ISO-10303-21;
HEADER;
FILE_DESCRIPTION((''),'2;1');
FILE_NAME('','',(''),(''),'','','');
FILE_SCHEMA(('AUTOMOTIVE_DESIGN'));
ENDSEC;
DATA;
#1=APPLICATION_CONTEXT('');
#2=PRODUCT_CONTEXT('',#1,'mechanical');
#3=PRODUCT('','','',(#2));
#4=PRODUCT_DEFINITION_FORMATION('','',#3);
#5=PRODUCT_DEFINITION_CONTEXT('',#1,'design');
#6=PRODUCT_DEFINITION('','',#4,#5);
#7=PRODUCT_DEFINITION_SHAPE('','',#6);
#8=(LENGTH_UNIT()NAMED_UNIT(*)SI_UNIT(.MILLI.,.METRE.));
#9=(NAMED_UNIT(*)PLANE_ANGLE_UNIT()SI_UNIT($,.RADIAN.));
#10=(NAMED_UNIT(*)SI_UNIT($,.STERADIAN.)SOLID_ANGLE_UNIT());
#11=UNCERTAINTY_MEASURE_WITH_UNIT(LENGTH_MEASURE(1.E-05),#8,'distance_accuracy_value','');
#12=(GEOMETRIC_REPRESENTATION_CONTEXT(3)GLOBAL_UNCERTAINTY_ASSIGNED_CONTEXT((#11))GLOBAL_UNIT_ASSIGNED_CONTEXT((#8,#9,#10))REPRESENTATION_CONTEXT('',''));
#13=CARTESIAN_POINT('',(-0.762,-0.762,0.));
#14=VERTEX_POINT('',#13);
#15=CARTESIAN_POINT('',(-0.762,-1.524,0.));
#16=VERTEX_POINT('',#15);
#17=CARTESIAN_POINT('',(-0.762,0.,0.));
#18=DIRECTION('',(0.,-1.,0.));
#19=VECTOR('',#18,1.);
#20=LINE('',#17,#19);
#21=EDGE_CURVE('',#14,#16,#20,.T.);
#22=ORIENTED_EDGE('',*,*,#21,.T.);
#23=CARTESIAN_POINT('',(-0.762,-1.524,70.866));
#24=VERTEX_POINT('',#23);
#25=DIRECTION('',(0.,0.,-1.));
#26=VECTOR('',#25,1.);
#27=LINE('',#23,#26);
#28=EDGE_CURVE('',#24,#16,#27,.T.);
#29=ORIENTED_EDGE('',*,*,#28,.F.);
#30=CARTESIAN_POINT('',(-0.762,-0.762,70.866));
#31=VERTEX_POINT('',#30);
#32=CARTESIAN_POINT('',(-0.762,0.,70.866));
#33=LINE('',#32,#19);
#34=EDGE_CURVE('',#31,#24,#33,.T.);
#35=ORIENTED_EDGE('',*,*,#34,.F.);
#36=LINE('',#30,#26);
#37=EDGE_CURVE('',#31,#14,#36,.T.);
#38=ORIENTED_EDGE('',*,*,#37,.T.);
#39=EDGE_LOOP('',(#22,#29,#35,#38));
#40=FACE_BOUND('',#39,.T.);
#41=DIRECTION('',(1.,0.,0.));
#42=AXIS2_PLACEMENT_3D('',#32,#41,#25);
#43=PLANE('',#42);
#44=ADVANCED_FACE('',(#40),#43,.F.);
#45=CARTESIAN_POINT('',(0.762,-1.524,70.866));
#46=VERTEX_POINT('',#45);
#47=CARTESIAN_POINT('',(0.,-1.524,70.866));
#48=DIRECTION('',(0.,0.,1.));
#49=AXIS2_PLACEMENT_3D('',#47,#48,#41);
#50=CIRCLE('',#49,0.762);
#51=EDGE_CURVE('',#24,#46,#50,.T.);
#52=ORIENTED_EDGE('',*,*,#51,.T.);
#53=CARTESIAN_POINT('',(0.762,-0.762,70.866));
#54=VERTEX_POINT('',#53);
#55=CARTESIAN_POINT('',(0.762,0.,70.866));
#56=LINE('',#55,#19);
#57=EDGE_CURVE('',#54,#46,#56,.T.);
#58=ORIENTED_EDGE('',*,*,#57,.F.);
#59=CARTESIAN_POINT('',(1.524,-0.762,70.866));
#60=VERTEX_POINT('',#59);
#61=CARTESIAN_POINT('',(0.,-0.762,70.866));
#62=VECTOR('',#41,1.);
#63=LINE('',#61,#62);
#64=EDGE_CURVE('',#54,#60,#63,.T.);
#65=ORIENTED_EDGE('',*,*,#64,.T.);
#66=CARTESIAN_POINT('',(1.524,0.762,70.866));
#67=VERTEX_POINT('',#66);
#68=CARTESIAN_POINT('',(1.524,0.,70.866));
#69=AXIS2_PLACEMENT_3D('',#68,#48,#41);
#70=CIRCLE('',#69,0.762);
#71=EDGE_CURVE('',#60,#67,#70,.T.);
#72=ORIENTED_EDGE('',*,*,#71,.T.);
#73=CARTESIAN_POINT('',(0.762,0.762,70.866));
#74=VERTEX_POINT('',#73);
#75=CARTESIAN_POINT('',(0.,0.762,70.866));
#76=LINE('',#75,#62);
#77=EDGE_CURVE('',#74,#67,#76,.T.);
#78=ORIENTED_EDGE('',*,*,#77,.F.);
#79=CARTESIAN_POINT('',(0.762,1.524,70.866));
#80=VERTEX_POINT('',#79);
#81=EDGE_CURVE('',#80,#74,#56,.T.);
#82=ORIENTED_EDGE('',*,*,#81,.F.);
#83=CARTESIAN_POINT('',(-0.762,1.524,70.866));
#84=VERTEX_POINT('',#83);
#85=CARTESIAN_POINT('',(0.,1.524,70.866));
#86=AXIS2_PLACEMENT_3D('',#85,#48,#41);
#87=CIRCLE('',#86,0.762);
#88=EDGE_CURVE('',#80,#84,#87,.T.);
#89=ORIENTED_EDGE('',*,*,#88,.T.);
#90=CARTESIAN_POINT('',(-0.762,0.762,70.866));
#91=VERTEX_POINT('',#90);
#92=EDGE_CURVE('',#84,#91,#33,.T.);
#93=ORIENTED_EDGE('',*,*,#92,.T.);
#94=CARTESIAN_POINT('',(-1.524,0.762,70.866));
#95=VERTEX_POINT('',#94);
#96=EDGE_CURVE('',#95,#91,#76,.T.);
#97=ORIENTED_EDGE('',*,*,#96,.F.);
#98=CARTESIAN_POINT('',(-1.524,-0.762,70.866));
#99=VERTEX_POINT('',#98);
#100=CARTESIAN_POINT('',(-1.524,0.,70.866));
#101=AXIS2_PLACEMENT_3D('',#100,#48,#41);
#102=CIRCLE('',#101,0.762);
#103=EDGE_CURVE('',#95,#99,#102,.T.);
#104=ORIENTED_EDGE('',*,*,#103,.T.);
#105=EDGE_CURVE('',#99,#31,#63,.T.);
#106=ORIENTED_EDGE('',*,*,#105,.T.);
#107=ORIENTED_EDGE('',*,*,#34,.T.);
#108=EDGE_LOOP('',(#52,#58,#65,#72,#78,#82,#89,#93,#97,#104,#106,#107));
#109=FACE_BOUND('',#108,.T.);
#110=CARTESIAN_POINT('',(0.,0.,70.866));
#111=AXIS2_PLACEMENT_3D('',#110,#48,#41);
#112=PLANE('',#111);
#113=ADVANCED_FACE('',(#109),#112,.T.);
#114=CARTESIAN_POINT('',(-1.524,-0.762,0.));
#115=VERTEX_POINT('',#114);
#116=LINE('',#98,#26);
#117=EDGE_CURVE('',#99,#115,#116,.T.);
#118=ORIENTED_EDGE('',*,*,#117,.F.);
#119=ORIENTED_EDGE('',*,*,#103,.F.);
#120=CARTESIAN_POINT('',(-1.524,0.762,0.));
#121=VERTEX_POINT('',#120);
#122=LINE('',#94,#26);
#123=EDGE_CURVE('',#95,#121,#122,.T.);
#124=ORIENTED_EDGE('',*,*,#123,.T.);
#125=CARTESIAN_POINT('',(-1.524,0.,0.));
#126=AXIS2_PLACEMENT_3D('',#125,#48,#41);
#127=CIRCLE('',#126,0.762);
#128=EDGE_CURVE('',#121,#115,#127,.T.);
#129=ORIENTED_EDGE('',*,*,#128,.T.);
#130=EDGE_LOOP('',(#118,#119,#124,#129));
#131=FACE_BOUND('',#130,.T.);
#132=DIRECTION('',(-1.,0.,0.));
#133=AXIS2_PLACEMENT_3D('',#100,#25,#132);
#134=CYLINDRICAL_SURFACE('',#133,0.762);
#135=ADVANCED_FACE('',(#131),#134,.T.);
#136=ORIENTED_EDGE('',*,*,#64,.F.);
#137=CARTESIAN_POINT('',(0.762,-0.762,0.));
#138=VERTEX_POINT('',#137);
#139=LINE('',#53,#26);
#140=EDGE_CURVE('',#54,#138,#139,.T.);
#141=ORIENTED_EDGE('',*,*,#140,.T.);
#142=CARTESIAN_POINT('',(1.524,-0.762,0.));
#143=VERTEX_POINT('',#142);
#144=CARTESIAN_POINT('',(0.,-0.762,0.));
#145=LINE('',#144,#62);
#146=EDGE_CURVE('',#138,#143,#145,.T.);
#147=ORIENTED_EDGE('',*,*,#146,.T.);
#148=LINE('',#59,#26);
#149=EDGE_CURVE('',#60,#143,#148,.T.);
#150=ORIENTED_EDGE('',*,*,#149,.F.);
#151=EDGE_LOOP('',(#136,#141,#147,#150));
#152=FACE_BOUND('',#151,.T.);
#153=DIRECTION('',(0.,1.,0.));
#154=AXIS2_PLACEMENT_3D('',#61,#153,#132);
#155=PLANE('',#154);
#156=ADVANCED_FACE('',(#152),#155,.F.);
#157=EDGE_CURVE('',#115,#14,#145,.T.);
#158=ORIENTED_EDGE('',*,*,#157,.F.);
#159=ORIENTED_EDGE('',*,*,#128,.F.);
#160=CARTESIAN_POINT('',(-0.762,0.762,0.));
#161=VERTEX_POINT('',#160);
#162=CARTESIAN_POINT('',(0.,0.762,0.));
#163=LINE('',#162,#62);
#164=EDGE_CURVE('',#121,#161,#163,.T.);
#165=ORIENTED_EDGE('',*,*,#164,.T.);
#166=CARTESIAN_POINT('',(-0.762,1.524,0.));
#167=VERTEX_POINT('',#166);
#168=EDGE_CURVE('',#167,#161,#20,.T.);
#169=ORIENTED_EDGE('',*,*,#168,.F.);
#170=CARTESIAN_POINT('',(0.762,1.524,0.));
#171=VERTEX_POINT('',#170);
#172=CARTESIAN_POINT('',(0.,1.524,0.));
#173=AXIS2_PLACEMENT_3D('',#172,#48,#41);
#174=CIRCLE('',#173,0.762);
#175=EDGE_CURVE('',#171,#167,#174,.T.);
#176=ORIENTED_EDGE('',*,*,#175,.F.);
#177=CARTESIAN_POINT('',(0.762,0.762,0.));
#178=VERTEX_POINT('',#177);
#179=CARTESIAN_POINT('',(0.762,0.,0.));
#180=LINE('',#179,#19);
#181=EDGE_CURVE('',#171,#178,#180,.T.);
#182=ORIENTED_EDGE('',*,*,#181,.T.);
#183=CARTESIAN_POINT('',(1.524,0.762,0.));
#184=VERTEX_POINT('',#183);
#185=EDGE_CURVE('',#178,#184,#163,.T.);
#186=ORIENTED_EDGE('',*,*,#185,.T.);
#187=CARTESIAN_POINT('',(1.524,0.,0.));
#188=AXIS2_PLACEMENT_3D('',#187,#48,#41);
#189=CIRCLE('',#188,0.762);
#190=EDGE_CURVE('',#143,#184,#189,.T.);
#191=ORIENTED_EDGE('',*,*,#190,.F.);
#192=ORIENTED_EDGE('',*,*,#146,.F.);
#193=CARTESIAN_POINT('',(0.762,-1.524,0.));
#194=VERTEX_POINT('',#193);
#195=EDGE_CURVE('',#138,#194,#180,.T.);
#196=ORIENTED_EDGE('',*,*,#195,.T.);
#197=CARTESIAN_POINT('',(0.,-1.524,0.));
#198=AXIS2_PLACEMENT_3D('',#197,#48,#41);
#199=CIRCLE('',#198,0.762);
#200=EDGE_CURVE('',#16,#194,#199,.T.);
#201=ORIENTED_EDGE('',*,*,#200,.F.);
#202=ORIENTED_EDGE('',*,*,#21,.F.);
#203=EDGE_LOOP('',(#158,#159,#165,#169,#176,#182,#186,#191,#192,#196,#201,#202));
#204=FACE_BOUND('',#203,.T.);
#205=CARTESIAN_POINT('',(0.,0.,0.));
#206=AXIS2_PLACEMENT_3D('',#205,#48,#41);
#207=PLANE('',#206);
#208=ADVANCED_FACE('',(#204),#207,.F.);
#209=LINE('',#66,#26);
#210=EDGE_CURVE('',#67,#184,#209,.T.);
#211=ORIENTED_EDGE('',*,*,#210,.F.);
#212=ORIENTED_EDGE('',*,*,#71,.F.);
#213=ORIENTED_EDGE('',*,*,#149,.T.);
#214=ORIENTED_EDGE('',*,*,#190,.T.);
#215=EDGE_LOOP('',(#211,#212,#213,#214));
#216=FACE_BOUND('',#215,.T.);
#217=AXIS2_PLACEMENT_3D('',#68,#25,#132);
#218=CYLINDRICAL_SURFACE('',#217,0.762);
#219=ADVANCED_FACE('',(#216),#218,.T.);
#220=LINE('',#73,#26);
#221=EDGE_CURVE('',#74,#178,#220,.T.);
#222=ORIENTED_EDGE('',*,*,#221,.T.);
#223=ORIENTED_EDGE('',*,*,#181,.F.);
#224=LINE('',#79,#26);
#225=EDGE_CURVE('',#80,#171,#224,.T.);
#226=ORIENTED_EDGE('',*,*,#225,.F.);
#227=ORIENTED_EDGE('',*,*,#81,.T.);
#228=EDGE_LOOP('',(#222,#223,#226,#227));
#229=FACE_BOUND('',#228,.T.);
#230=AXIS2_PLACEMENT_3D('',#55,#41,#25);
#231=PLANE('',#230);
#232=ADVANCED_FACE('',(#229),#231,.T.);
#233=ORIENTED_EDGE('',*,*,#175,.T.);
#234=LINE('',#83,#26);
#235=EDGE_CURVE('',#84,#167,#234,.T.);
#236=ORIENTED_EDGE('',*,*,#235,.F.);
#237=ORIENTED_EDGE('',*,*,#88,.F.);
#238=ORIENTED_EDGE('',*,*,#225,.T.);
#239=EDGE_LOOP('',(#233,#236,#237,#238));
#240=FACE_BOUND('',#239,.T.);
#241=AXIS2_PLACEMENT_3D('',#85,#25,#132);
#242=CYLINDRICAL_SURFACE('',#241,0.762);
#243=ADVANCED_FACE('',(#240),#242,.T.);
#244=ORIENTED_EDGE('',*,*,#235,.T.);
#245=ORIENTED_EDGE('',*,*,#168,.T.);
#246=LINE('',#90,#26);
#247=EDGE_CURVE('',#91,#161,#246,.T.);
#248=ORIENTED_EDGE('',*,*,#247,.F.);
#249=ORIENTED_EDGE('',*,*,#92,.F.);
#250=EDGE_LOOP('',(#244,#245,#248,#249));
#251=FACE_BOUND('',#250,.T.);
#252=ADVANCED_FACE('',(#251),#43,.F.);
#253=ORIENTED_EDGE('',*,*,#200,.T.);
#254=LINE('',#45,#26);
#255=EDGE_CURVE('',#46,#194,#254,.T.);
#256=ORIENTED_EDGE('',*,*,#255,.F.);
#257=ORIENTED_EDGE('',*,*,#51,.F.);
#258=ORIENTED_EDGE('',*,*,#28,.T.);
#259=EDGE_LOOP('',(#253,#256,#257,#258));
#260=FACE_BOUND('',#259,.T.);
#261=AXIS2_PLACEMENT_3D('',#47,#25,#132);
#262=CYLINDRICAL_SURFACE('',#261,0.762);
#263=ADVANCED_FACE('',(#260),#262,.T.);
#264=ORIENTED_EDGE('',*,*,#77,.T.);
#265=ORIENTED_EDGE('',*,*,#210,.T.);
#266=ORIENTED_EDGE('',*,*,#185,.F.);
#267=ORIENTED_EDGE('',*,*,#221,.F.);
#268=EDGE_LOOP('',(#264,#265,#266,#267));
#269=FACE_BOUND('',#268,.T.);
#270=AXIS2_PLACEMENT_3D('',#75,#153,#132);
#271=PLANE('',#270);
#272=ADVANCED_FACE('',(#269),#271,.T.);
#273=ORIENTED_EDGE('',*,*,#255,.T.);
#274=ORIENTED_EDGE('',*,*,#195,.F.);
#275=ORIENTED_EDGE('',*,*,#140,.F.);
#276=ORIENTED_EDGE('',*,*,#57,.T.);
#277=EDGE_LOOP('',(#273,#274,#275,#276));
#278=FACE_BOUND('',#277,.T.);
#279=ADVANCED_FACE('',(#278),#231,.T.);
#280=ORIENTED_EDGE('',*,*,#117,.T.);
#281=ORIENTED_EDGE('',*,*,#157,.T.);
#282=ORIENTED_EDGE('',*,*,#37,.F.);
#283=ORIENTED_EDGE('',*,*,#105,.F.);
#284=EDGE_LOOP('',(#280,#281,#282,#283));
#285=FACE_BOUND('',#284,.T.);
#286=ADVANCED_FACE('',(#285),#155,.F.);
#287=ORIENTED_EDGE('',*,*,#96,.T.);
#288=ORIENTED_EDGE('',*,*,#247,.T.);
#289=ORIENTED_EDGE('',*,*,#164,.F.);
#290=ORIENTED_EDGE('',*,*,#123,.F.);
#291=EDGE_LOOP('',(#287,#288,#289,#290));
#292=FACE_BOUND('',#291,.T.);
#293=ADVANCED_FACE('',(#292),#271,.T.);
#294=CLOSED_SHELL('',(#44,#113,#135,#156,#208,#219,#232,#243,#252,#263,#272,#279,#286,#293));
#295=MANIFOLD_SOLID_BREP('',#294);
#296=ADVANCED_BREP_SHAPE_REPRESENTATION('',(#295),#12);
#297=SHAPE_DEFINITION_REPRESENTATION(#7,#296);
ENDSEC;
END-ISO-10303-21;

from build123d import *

# Parameters (mm, degrees)
BOSS_EXTRUDE1_DEPTH = 70.866


with BuildPart() as part:
    # Sketch1 → Boss-Extrude1 (new body)
    with BuildSketch(Plane.XY):
        with BuildLine():
            Line((-0.762, 0.762), (-1.524, 0.762))
            ThreePointArc((-1.524, 0.762), (-2.286, 0), (-1.524, -0.762))
            Line((-1.524, -0.762), (-0.762, -0.762))
            Line((-0.762, -0.762), (-0.762, -1.524))
            ThreePointArc((-0.762, -1.524), (0, -2.286), (0.762, -1.524))
            Line((0.762, -1.524), (0.762, -0.762))
            Line((0.762, -0.762), (1.524, -0.762))
            ThreePointArc((1.524, -0.762), (2.286, 0), (1.524, 0.762))
            Line((1.524, 0.762), (0.762, 0.762))
            Line((0.762, 0.762), (0.762, 1.524))
            ThreePointArc((0.762, 1.524), (0, 2.286), (-0.762, 1.524))
            Line((-0.762, 1.524), (-0.762, 0.762))
        make_face()
    extrude(amount=BOSS_EXTRUDE1_DEPTH)


solid = part.part
